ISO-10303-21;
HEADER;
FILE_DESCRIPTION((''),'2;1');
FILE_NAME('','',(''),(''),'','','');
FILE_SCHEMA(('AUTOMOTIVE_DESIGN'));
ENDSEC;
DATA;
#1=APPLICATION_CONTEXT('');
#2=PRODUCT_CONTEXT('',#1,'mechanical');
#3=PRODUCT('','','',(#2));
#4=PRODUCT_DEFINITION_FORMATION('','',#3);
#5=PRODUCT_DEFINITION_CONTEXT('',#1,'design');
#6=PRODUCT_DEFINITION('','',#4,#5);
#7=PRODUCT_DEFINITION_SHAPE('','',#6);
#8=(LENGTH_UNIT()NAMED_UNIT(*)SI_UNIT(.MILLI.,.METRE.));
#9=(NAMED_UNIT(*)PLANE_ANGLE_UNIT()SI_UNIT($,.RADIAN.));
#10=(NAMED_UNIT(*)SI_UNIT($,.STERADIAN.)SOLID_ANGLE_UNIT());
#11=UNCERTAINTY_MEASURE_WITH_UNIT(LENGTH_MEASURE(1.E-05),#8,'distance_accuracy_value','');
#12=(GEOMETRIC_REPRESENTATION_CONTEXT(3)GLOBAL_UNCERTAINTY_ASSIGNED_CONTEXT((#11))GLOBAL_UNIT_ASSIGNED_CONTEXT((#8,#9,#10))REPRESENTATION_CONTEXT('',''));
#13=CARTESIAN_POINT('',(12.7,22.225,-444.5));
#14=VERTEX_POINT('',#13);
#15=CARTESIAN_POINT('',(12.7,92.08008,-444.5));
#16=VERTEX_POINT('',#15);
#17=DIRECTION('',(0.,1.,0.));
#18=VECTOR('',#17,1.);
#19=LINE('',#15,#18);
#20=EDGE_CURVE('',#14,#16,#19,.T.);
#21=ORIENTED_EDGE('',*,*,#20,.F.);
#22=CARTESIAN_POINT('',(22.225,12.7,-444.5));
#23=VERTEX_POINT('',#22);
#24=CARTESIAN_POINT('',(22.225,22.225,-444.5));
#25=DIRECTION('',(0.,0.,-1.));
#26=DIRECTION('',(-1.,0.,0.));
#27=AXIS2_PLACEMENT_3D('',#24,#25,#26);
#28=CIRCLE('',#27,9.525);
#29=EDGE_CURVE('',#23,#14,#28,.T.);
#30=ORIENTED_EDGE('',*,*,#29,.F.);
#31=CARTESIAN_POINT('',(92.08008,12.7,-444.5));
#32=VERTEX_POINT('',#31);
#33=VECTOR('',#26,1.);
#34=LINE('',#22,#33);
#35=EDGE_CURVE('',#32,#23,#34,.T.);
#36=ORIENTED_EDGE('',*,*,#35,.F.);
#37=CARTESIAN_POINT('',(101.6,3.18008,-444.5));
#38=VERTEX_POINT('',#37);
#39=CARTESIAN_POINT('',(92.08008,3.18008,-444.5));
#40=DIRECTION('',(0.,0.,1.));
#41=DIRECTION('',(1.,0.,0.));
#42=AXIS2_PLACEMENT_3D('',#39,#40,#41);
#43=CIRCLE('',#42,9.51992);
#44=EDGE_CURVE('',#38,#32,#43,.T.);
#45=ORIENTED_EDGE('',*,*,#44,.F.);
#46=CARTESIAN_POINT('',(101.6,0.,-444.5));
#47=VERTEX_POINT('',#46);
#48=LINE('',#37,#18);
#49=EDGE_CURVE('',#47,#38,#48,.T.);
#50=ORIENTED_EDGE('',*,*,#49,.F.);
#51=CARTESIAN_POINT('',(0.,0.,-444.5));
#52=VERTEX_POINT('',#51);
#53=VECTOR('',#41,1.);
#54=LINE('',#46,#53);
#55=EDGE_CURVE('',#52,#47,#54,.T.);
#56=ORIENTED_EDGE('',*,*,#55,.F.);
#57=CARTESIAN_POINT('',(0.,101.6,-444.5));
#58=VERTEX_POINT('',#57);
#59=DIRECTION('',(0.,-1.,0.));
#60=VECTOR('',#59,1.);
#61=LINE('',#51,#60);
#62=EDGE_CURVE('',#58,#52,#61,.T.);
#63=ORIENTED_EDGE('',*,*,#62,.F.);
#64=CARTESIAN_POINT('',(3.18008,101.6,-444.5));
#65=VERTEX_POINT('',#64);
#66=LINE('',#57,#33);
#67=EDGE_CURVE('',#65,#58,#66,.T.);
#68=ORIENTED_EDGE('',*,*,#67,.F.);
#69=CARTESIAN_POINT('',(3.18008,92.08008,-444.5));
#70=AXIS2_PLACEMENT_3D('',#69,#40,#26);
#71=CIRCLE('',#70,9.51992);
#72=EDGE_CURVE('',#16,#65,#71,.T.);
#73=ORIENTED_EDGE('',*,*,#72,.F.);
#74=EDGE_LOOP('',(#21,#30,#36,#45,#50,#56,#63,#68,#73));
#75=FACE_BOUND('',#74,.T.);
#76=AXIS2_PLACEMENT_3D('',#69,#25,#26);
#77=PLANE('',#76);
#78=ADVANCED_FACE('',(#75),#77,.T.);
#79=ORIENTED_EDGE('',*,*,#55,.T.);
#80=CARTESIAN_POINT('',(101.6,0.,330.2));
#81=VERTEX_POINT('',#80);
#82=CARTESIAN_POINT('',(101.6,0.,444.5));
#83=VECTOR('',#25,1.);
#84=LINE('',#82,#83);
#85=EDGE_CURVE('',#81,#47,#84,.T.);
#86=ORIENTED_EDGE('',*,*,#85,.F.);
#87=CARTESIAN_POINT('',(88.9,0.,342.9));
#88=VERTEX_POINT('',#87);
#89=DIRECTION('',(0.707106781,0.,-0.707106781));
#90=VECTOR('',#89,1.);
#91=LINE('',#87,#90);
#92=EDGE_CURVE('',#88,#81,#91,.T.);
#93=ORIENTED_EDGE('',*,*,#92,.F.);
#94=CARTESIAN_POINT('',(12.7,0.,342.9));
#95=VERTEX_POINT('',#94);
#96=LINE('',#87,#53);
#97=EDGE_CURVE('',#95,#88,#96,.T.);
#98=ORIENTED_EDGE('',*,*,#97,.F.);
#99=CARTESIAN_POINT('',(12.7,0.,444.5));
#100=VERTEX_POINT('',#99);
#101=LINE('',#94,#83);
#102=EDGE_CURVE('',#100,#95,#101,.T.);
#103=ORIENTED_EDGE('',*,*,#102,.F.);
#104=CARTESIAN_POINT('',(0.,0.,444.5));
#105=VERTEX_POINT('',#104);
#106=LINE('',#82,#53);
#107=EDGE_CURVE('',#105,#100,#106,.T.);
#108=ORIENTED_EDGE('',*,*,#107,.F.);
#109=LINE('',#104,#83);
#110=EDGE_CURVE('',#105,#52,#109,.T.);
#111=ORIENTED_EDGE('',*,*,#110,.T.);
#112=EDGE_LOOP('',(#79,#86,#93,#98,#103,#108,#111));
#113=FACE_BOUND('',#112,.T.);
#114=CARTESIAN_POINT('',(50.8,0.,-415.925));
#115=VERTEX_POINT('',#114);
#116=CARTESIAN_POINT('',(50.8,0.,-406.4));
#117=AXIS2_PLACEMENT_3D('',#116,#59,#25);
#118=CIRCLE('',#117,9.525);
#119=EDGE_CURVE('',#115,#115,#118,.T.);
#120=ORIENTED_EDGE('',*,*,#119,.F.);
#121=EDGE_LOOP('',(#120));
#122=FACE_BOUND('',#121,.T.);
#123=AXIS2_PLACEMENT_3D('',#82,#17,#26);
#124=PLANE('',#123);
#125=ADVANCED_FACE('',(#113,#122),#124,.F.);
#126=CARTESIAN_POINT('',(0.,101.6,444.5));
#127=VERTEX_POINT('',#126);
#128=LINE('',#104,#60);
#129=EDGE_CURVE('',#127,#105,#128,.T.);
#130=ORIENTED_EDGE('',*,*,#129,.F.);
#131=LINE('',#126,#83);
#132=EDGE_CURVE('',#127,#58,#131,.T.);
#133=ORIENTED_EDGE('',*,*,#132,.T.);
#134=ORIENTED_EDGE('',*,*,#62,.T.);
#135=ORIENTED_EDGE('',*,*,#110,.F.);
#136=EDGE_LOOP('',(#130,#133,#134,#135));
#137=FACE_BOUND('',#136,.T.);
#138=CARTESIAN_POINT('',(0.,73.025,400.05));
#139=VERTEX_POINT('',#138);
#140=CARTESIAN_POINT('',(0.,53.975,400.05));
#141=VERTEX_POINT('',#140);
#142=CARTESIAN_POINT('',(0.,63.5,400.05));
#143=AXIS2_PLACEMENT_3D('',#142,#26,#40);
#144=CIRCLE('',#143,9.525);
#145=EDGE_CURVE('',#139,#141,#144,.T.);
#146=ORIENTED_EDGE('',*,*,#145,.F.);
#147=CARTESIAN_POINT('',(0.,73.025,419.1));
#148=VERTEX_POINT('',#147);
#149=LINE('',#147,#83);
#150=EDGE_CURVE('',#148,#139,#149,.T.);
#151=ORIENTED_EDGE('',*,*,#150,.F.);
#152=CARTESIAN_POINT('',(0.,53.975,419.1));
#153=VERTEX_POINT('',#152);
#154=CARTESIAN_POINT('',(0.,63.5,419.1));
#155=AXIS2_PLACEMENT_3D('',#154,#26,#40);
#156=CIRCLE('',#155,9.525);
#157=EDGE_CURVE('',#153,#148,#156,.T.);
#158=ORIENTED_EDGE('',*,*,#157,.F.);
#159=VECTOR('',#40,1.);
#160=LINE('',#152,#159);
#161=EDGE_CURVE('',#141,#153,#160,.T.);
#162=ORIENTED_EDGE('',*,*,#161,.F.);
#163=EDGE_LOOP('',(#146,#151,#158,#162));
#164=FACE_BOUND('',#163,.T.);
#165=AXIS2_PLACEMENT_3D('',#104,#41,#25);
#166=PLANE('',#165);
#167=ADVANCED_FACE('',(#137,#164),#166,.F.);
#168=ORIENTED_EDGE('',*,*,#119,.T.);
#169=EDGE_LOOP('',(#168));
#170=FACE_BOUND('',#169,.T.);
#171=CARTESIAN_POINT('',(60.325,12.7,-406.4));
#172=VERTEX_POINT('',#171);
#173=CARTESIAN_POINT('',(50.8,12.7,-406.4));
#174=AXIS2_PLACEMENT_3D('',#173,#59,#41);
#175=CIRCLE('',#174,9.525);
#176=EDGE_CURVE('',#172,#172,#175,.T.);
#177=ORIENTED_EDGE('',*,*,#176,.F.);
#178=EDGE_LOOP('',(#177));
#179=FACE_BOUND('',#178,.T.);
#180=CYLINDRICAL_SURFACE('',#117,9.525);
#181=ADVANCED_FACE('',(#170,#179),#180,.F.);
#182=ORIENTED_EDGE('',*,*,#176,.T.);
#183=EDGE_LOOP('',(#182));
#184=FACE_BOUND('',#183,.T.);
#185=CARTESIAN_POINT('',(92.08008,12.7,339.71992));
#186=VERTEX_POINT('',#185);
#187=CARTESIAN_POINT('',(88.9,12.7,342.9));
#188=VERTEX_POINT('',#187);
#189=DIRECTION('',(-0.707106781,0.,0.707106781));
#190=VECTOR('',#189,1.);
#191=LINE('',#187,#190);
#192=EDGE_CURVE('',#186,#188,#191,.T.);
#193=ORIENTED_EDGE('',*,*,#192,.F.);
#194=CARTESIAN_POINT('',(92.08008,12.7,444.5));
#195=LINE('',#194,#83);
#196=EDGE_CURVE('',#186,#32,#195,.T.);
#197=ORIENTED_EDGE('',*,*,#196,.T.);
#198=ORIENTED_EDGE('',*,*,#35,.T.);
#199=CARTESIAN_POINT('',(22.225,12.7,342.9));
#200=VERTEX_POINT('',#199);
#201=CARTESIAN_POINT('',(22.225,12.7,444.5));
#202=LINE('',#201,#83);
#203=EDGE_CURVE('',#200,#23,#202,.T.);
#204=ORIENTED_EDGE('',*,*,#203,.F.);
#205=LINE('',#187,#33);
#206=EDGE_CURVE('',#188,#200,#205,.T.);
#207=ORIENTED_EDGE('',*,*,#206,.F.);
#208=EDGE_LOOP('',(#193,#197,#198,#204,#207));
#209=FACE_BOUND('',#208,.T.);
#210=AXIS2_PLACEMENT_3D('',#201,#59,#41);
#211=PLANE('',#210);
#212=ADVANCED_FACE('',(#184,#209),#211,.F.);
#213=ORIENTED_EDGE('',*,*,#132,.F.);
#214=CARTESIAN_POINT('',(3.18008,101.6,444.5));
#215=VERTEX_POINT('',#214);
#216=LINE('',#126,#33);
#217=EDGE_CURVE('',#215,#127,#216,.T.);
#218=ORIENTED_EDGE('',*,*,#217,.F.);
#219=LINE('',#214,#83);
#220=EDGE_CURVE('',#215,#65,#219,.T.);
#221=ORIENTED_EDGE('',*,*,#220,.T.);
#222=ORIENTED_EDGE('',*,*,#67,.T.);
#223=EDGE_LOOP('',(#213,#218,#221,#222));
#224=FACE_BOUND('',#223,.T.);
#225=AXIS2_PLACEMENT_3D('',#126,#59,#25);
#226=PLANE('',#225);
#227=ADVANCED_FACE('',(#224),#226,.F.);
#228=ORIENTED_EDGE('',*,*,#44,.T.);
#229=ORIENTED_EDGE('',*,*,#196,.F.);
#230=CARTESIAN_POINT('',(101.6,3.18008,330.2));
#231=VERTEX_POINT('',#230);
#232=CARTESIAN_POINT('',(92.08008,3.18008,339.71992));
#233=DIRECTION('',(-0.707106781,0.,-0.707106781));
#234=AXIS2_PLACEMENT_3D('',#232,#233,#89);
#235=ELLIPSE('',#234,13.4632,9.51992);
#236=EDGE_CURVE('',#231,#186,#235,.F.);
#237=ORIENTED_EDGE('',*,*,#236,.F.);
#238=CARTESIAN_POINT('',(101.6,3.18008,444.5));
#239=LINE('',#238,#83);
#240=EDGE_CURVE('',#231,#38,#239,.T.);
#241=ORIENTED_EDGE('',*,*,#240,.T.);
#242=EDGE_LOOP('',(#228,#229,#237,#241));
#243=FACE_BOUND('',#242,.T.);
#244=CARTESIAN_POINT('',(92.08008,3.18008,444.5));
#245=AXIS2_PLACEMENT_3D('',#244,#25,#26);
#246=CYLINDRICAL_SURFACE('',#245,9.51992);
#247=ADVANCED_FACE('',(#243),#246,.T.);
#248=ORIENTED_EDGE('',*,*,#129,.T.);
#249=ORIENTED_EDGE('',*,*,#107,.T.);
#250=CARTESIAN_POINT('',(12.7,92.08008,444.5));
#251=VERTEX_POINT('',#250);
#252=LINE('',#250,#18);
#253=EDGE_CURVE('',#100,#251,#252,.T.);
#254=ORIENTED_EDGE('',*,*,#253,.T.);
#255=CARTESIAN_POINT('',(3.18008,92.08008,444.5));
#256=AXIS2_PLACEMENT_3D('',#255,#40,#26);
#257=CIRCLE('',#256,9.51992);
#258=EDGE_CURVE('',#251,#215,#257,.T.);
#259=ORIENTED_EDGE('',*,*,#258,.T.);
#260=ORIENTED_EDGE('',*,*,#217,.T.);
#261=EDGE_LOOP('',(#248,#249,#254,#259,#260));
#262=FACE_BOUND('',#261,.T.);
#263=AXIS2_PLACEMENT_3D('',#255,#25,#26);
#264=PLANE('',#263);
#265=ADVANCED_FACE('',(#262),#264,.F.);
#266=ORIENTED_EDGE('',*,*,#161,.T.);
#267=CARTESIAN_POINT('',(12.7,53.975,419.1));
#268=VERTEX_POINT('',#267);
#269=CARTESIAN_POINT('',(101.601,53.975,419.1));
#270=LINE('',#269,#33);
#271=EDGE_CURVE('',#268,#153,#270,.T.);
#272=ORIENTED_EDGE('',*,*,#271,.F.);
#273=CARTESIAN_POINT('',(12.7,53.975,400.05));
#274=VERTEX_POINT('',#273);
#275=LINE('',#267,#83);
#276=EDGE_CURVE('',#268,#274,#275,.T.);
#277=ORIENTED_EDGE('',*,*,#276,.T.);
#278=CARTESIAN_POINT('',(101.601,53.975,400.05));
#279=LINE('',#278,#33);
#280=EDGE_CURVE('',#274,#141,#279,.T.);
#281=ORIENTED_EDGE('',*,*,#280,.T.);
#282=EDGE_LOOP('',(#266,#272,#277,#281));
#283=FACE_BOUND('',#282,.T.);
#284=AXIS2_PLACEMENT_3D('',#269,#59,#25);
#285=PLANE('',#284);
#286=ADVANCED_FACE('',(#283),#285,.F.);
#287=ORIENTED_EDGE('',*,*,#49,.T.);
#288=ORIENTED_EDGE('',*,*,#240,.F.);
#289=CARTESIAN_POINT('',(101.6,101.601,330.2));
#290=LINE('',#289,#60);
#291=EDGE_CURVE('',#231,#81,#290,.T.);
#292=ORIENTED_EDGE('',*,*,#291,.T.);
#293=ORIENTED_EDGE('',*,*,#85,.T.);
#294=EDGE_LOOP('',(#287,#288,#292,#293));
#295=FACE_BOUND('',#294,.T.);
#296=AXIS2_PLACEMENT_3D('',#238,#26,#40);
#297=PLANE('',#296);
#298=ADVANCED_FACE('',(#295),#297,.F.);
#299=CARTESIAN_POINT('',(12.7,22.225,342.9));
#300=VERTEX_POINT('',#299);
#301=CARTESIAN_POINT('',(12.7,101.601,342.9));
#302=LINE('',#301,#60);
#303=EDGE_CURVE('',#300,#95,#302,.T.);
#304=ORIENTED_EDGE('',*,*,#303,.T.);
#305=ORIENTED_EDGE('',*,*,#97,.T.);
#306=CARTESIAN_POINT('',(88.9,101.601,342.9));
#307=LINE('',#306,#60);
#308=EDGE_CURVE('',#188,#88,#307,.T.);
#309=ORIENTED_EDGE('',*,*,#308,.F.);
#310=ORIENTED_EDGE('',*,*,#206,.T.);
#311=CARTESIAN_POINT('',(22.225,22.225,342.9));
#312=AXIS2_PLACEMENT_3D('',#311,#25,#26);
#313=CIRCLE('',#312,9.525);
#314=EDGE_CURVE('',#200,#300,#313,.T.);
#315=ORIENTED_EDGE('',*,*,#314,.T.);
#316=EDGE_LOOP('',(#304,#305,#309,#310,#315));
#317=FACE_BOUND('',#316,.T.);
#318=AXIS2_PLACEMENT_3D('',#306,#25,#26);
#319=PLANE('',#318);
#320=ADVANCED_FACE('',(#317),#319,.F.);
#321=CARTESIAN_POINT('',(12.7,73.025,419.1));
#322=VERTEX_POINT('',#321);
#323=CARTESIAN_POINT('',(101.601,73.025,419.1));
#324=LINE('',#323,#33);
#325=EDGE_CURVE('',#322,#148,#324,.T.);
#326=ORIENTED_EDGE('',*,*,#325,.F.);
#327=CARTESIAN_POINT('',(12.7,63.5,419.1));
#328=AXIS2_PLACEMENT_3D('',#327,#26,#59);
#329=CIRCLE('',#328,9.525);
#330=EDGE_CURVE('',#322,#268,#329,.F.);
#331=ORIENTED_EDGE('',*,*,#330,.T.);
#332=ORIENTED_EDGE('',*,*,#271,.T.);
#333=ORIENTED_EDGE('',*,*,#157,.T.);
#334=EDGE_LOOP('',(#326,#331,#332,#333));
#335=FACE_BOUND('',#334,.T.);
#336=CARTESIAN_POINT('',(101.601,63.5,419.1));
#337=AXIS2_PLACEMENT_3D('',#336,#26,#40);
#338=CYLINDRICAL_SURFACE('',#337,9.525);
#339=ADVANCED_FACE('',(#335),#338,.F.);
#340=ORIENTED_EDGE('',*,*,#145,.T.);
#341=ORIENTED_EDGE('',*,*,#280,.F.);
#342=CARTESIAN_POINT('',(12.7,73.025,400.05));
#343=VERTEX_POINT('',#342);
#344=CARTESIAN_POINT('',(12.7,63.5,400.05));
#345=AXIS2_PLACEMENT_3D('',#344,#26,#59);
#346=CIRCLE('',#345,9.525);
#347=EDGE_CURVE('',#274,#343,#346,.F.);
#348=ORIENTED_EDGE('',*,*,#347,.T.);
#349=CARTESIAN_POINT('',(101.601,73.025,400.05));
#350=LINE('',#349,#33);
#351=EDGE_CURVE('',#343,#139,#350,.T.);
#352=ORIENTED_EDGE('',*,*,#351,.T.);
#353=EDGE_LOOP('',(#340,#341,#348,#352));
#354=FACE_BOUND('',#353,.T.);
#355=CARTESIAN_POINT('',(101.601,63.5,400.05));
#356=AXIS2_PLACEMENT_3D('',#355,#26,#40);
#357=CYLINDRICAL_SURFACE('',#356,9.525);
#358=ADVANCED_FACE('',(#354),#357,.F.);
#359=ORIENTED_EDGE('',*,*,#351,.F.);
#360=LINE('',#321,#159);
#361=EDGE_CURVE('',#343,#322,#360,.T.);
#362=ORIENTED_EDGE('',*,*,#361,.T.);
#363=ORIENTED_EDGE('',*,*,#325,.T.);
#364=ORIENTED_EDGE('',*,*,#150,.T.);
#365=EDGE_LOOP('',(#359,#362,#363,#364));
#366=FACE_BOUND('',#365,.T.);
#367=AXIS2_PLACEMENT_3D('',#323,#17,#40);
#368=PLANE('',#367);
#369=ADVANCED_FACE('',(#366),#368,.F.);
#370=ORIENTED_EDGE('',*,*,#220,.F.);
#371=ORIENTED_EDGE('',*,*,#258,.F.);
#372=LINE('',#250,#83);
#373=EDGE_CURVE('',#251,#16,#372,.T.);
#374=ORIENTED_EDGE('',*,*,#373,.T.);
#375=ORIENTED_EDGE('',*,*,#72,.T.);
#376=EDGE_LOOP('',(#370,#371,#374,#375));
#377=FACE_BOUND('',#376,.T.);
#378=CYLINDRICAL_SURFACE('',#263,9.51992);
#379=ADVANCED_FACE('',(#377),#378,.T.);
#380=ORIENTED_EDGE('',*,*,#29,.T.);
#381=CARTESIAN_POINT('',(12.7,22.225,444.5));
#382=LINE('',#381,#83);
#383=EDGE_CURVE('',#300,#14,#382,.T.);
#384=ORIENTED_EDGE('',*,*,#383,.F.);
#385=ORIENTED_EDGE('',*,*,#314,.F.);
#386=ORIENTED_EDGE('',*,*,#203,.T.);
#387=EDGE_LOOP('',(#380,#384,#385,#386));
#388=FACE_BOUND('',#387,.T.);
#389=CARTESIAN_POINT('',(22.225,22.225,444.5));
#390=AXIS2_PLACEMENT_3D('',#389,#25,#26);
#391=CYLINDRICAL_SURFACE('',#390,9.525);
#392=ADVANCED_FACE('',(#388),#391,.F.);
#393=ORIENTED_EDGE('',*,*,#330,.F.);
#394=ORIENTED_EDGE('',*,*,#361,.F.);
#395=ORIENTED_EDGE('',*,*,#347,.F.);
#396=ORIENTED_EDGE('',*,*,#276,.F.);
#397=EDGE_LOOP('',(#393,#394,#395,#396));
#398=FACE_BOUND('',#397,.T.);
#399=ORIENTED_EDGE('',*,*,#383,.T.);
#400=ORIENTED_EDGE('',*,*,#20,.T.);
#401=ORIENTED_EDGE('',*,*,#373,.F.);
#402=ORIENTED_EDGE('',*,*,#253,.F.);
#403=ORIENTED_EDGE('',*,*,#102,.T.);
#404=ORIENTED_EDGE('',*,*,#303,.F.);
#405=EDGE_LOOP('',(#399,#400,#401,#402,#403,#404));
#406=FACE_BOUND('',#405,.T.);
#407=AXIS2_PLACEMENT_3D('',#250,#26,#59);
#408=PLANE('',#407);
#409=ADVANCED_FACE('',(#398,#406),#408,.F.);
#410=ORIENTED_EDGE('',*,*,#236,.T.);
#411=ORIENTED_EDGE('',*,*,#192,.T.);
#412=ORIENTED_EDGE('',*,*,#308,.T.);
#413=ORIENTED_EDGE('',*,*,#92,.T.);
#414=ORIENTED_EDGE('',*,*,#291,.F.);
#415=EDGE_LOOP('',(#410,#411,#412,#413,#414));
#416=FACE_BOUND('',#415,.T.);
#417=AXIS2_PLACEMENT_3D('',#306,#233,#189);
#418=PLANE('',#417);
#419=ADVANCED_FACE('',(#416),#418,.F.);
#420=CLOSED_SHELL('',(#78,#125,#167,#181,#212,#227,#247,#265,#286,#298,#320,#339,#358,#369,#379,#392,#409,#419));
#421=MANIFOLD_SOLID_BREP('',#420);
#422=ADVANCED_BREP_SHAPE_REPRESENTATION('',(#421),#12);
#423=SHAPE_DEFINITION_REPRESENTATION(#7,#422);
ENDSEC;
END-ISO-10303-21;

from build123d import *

# Parameters (mm, degrees)
BOSS_EXTRUDE1_DEPTH             = 444.5
CUT_EXTRUDE1_REACH              = 103.6
CUT_EXTRUDE2_REACH              = 103.6
F_3_4_0_75_DIAMETER_HOLE1_D     = 19.05
F_3_4_0_75_DIAMETER_HOLE1_DEPTH = 50.8
F_3_4_0_75_DIAMETER_HOLE1_TIP   = 5.723197396


with BuildPart() as part:
    # Sketch1 → Boss-Extrude1 (new body, symmetric)
    with BuildSketch(Plane.XY):
        with BuildLine():
            Line((0, 0), (0, 101.6))
            Line((0, 101.6), (3.18008, 101.6))
            ThreePointArc((3.18008, 101.6), (9.911679988, 98.811679988), (12.7, 92.08008))
            Line((12.7, 92.08008), (12.7, 22.225))
            ThreePointArc((12.7, 22.225), (15.489807909, 15.489807909), (22.225, 12.7))
            Line((22.225, 12.7), (92.08008, 12.7))
            ThreePointArc((92.08008, 12.7), (98.811679988, 9.911679988), (101.6, 3.18008))
            Line((101.6, 3.18008), (101.6, 0))
            Line((101.6, 0), (0, 0))
        make_face()
    extrude(amount=BOSS_EXTRUDE1_DEPTH, both=True)

    # Sketch2 → Cut-Extrude1 (cut, up to next)
    with BuildSketch(Plane.XZ, mode=Mode.PRIVATE) as cut_extrude1_sk1:
        Polygon((88.9, 342.9), (12.7, 342.9), (12.7, 444.5), (101.6, 444.5), (101.6, 342.9), (101.6, 330.2), align=None)
    cut_extrude1_tool1 = extrude(cut_extrude1_sk1.sketch, amount=-CUT_EXTRUDE1_REACH, mode=Mode.PRIVATE) & part.part
    add(cut_extrude1_tool1.solids().sort_by_distance((57.5059, 0, 393.212979))[0], mode=Mode.SUBTRACT)

    # Sketch3 → Cut-Extrude2 (cut, up to next)
    with BuildSketch(Plane.ZY, mode=Mode.PRIVATE) as cut_extrude2_sk1:
        with BuildLine():
            Line((419.1, 53.975), (400.05, 53.975))
            ThreePointArc((400.05, 53.975), (390.525, 63.5), (400.05, 73.025))
            Line((400.05, 73.025), (419.1, 73.025))
            ThreePointArc((419.1, 73.025), (428.625, 63.5), (419.1, 53.975))
        make_face()
    cut_extrude2_tool1 = extrude(cut_extrude2_sk1.sketch, amount=-CUT_EXTRUDE2_REACH, mode=Mode.PRIVATE) & part.part
    add(cut_extrude2_tool1.solids().sort_by_distance((0, 63.5, 409.575))[0], mode=Mode.SUBTRACT)

    # 3/4 (0.75) Diameter Hole1
    with Locations(Plane.XZ):
        with Locations((50.8, -406.4)):
            Hole(F_3_4_0_75_DIAMETER_HOLE1_D / 2, depth=F_3_4_0_75_DIAMETER_HOLE1_DEPTH)
            with Locations((0, 0, -(F_3_4_0_75_DIAMETER_HOLE1_DEPTH + F_3_4_0_75_DIAMETER_HOLE1_TIP / 2))):  # 118° drill point
                Cone(0, F_3_4_0_75_DIAMETER_HOLE1_D / 2, F_3_4_0_75_DIAMETER_HOLE1_TIP, mode=Mode.SUBTRACT)


solid = part.part
